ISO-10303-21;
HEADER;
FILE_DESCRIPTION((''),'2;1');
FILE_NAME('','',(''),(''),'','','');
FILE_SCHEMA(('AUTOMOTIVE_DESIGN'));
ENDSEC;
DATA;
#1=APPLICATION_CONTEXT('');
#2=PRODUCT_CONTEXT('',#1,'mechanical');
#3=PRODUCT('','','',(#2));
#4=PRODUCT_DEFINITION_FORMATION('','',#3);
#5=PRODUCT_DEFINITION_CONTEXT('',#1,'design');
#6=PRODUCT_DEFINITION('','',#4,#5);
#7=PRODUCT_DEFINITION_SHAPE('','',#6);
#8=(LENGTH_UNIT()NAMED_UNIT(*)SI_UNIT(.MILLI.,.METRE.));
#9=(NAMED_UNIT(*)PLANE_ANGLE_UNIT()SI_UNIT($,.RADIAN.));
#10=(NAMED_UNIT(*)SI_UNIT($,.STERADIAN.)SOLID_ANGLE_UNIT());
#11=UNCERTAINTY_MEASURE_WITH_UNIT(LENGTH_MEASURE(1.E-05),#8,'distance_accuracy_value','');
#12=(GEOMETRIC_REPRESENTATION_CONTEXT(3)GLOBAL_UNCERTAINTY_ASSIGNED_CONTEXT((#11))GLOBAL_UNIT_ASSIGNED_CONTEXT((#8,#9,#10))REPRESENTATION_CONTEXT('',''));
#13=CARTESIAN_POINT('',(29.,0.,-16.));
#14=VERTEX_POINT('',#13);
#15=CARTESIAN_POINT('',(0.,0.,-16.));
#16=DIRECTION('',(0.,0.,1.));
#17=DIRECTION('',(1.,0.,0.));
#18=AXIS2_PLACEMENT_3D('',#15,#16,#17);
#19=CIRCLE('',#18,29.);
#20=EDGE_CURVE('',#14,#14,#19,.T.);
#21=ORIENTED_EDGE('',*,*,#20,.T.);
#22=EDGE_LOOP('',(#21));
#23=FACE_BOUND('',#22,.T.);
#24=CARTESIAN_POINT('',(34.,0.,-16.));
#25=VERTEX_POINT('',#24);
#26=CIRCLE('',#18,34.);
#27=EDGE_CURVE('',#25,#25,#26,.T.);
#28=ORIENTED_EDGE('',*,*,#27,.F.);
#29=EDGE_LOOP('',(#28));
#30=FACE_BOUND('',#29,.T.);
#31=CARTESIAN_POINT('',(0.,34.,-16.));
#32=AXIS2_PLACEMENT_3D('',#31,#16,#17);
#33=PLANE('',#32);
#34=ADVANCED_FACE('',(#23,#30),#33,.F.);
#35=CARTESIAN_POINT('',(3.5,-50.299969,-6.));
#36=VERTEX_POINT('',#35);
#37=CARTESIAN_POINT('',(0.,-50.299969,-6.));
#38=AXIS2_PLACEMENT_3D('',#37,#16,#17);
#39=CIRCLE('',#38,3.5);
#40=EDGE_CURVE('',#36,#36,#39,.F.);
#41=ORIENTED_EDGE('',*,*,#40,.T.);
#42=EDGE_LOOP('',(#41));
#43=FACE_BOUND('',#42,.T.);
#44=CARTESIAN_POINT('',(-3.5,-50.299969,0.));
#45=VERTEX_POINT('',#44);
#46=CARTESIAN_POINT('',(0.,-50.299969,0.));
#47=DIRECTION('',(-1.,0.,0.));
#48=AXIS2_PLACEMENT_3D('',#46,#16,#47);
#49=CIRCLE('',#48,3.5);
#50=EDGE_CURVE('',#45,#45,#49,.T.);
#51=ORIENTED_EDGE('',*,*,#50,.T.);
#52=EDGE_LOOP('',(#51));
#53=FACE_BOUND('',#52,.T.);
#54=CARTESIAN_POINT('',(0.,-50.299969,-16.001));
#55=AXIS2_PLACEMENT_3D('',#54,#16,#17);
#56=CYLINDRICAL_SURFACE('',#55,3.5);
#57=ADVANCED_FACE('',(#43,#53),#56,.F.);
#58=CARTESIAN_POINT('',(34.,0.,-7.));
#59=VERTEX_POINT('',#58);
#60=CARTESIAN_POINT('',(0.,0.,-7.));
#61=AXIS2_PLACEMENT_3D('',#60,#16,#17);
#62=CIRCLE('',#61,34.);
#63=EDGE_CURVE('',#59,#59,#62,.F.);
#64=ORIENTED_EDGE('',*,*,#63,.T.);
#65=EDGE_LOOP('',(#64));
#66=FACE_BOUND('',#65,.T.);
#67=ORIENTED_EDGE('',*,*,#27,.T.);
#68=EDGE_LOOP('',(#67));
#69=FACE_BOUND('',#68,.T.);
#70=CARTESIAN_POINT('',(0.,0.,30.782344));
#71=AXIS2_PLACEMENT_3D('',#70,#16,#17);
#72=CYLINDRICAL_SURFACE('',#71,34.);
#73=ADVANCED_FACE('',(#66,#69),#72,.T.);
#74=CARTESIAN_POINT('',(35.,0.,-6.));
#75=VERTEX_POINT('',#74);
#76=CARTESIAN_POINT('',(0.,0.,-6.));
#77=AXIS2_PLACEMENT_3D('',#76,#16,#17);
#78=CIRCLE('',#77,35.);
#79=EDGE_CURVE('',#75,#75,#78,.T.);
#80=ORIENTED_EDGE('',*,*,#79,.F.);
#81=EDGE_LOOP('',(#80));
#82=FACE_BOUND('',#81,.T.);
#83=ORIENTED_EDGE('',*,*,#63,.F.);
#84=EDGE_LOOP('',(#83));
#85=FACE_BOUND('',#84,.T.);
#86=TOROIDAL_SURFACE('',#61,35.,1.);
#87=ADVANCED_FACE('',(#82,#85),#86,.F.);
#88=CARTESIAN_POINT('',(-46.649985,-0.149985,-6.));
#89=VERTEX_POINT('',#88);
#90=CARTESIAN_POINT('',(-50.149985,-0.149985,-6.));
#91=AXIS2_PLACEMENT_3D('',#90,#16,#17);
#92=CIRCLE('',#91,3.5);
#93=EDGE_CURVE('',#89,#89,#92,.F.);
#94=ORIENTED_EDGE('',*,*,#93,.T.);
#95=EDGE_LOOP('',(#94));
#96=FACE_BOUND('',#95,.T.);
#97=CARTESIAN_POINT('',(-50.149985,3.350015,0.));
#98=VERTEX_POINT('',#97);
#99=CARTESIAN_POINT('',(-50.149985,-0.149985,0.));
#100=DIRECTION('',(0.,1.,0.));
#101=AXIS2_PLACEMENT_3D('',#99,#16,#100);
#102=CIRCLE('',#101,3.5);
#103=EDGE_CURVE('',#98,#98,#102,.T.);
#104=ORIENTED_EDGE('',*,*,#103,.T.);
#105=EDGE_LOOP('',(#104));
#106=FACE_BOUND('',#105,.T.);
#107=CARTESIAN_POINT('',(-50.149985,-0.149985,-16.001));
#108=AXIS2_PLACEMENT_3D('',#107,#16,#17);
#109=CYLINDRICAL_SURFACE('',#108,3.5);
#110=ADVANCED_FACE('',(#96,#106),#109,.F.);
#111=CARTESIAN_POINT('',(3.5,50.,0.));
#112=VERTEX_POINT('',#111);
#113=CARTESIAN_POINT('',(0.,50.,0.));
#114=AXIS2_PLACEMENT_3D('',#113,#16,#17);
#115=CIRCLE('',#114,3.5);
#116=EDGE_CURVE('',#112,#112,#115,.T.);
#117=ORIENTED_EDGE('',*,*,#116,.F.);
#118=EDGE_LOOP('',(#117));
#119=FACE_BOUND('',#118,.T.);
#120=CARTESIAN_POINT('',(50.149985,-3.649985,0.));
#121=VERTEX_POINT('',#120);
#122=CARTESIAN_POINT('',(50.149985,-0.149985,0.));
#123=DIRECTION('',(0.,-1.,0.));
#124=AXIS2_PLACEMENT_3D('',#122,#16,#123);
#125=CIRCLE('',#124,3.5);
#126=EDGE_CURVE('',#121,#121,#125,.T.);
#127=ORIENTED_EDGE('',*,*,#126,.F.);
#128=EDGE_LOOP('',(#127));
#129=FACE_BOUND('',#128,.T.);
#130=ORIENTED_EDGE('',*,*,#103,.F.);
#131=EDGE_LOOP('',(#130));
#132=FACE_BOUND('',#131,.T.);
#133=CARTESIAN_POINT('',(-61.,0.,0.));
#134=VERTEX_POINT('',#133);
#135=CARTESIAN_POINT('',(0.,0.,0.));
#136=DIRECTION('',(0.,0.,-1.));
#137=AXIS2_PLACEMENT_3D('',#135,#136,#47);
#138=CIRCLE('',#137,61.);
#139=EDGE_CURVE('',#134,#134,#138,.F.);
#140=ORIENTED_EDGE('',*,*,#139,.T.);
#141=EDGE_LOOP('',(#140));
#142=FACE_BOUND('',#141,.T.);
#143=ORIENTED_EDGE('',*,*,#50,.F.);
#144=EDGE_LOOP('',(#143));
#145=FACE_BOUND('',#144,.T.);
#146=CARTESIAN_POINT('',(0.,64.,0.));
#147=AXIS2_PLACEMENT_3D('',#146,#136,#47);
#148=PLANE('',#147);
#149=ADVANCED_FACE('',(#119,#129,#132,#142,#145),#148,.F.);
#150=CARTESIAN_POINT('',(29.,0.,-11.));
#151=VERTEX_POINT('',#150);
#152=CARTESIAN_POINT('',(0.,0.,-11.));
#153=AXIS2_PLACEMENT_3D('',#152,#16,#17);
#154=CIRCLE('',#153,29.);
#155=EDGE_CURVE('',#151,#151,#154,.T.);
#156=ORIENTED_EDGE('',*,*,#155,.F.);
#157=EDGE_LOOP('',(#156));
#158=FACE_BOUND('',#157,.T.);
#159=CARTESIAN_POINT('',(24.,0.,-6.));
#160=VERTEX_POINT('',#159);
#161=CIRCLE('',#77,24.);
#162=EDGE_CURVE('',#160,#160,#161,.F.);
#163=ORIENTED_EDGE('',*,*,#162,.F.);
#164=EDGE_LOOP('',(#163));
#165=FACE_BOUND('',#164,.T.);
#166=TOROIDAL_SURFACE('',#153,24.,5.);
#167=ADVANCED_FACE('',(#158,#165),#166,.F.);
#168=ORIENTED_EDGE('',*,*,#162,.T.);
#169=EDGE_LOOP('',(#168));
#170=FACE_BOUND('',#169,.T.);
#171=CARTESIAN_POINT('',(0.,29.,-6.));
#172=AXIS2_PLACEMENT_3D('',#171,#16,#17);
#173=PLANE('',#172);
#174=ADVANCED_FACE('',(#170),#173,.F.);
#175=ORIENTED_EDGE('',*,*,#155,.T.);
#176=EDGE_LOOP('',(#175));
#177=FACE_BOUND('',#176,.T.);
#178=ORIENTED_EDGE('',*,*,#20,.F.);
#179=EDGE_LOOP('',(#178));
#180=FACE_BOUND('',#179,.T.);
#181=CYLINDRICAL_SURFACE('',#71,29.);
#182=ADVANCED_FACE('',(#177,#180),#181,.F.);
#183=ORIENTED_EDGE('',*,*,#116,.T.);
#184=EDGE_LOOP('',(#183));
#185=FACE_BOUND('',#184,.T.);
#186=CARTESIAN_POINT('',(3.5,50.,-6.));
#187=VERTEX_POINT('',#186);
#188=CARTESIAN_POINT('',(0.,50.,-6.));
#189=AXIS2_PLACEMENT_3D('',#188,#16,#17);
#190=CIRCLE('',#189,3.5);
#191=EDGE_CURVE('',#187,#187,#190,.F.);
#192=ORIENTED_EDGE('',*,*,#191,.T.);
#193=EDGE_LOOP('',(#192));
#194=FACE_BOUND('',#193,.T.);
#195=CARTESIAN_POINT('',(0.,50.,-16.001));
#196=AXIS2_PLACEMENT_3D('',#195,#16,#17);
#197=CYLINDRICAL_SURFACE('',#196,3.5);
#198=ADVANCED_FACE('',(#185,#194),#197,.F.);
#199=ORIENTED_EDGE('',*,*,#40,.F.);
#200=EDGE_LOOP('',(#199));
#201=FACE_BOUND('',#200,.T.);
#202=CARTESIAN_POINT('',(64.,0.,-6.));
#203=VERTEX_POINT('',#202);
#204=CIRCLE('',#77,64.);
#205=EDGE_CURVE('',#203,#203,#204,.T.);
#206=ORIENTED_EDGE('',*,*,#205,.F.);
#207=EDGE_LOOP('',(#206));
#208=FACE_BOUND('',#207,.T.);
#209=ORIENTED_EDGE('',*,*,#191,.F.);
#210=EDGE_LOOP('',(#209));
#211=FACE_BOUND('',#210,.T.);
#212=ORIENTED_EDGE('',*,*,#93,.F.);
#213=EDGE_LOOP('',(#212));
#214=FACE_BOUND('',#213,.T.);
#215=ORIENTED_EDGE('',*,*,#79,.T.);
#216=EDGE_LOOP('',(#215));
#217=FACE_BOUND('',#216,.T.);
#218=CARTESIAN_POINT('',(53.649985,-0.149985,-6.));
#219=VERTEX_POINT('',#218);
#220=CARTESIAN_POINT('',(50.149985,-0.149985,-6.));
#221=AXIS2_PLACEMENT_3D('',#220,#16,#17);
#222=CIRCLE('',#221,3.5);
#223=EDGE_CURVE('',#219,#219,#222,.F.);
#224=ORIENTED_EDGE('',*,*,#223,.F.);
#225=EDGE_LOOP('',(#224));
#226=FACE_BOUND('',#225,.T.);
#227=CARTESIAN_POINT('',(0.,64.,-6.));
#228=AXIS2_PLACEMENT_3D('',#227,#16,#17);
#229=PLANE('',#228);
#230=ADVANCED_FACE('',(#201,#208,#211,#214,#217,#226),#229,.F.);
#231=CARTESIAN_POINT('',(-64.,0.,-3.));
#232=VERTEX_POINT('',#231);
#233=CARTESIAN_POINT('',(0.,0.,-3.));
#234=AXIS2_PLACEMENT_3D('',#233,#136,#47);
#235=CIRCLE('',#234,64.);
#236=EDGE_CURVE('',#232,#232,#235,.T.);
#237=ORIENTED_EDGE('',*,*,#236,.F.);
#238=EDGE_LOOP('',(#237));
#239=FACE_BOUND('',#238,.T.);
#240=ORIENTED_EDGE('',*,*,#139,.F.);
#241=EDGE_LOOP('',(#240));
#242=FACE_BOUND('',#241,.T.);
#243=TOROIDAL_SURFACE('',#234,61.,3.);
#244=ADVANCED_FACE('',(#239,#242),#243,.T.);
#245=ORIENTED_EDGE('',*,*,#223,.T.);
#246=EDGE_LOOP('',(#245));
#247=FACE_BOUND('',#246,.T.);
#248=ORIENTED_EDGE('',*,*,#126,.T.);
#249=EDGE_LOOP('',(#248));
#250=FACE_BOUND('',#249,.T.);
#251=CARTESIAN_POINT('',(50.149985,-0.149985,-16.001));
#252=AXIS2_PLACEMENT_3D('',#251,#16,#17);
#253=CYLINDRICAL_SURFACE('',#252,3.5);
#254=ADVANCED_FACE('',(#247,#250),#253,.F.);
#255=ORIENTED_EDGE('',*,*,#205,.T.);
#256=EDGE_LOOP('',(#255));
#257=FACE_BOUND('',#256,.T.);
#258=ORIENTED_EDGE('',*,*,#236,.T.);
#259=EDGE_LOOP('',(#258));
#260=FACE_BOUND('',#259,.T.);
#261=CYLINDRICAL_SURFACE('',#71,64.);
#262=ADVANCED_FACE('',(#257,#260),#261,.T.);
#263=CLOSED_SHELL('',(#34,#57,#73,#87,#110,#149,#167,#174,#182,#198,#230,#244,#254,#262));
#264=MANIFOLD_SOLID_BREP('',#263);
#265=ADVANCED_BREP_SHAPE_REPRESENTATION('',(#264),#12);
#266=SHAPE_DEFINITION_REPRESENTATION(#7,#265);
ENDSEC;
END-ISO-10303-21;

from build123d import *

# Parameters (mm, degrees)
SKICA2_R                 = 3.5
ODEBRAT_VYSUNUT_M1_DEPTH = 6
KRUHOV_POLE1_COUNT       = 4
ZAOBLIT1_R               = 3
ZAOBLIT2_R               = 1
ZAOBLIT3_R               = 5


with BuildPart() as part:
    # Skica1 → Rotovat1 (revolve)
    with BuildSketch(Plane(origin=(0, 0, 0), x_dir=(0, 0, -1), z_dir=(1, 0, 0))):
        Polygon((0, 64), (0, 0), (6, 0), (6, 29), (16, 29), (16, 34), (6, 34), (6, 64), align=None)
    revolve(axis=Axis((0, 0, 30.782343988), (0, 0, -1)))

    # Skica2 → Odebrat vysunutím1 (cut)
    with BuildSketch(Plane.XY):
        with Locations((0, 50)):
            Circle(SKICA2_R)
    odebrat_vysunut_m1 = extrude(amount=-ODEBRAT_VYSUNUT_M1_DEPTH, mode=Mode.SUBTRACT)

    # Kruhové pole1: Odebrat vysunutím1 ×4 about axis
    kruhov_pole1_axis = Axis((0, -0.149984695, 0), (0, 0, 1))
    for i in range(1, KRUHOV_POLE1_COUNT):
        add(odebrat_vysunut_m1.rotate(kruhov_pole1_axis, i * 360 / KRUHOV_POLE1_COUNT), mode=Mode.SUBTRACT)

    # Zaoblit1
    zaoblit1_edges = [part.edges().sort_by_distance(p)[0] for p in [
        (0, -64, 0),
    ]]
    fillet(zaoblit1_edges, radius=ZAOBLIT1_R)

    # Zaoblit2
    zaoblit2_edges = [part.edges().sort_by_distance(p)[0] for p in [
        (0, -34, -6),
    ]]
    fillet(zaoblit2_edges, radius=ZAOBLIT2_R)

    # Zaoblit3
    zaoblit3_edges = [part.edges().sort_by_distance(p)[0] for p in [
        (0, -29, -6),
    ]]
    fillet(zaoblit3_edges, radius=ZAOBLIT3_R)


solid = part.part
